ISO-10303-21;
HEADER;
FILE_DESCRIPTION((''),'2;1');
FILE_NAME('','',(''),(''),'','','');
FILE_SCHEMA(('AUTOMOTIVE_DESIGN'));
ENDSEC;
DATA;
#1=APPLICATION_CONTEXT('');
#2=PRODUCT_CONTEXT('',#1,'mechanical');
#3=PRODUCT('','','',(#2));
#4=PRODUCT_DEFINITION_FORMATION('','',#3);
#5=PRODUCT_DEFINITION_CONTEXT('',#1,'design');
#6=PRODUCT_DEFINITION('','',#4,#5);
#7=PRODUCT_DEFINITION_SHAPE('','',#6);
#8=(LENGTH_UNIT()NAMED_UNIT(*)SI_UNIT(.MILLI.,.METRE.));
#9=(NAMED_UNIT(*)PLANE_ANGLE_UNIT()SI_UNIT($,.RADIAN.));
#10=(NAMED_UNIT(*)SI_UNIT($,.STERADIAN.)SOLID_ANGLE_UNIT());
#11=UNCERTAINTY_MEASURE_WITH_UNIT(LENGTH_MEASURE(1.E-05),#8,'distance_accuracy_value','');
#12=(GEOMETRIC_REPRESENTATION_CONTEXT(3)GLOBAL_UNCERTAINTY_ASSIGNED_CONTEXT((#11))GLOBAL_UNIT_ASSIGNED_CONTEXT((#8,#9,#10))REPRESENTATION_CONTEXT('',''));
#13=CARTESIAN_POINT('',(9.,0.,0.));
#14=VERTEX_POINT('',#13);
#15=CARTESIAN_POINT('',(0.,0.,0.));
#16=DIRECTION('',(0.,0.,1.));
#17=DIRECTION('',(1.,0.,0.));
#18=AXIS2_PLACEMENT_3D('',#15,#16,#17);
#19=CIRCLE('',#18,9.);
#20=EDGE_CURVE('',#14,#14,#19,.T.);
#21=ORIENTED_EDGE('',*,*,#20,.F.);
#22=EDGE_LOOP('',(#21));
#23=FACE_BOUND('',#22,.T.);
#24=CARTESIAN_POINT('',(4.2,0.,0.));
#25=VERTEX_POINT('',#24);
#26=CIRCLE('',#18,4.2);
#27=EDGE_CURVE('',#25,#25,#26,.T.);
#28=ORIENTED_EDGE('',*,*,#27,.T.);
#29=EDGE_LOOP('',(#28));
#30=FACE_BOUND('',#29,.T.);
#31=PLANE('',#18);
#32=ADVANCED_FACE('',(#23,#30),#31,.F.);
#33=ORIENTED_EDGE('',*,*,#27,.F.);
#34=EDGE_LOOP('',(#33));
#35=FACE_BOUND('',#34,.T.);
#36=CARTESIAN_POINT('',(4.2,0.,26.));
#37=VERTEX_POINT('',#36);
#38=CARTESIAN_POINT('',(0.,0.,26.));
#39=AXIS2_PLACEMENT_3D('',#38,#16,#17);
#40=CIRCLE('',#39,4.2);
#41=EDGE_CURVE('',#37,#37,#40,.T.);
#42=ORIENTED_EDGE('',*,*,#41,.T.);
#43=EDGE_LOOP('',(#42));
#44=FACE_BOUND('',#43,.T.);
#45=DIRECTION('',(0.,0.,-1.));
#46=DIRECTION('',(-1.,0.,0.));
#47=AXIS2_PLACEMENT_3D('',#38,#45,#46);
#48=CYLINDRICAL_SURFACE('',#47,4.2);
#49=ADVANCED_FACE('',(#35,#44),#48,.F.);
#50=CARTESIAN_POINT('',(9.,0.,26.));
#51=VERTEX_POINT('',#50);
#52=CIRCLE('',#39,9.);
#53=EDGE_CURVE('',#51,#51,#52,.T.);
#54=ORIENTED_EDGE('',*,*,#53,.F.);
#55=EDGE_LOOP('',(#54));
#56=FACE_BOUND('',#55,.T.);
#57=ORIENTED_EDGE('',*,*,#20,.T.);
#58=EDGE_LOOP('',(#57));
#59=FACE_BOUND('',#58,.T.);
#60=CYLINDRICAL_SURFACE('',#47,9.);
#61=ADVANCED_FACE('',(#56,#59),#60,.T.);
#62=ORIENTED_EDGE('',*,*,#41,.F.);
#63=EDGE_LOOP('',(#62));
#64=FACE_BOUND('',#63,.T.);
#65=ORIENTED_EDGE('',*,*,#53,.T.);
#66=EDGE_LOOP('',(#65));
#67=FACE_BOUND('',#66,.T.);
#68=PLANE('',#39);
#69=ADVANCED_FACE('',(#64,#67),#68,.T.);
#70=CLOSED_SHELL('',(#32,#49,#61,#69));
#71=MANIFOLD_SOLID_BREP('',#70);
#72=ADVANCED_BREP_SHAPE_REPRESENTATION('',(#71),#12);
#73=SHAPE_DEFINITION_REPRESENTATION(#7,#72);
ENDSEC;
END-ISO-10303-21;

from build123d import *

# Parameters (mm, degrees)
CROQUIS1_R              = 9
CROQUIS1_R_2            = 4.2
SALIENTE_EXTRUIR1_DEPTH = 26


with BuildPart() as part:
    # Croquis1 → Saliente-Extruir1 (new body)
    with BuildSketch(Plane.XY):
        Circle(CROQUIS1_R)
        Circle(CROQUIS1_R_2, mode=Mode.SUBTRACT)
    extrude(amount=SALIENTE_EXTRUIR1_DEPTH)


solid = part.part
